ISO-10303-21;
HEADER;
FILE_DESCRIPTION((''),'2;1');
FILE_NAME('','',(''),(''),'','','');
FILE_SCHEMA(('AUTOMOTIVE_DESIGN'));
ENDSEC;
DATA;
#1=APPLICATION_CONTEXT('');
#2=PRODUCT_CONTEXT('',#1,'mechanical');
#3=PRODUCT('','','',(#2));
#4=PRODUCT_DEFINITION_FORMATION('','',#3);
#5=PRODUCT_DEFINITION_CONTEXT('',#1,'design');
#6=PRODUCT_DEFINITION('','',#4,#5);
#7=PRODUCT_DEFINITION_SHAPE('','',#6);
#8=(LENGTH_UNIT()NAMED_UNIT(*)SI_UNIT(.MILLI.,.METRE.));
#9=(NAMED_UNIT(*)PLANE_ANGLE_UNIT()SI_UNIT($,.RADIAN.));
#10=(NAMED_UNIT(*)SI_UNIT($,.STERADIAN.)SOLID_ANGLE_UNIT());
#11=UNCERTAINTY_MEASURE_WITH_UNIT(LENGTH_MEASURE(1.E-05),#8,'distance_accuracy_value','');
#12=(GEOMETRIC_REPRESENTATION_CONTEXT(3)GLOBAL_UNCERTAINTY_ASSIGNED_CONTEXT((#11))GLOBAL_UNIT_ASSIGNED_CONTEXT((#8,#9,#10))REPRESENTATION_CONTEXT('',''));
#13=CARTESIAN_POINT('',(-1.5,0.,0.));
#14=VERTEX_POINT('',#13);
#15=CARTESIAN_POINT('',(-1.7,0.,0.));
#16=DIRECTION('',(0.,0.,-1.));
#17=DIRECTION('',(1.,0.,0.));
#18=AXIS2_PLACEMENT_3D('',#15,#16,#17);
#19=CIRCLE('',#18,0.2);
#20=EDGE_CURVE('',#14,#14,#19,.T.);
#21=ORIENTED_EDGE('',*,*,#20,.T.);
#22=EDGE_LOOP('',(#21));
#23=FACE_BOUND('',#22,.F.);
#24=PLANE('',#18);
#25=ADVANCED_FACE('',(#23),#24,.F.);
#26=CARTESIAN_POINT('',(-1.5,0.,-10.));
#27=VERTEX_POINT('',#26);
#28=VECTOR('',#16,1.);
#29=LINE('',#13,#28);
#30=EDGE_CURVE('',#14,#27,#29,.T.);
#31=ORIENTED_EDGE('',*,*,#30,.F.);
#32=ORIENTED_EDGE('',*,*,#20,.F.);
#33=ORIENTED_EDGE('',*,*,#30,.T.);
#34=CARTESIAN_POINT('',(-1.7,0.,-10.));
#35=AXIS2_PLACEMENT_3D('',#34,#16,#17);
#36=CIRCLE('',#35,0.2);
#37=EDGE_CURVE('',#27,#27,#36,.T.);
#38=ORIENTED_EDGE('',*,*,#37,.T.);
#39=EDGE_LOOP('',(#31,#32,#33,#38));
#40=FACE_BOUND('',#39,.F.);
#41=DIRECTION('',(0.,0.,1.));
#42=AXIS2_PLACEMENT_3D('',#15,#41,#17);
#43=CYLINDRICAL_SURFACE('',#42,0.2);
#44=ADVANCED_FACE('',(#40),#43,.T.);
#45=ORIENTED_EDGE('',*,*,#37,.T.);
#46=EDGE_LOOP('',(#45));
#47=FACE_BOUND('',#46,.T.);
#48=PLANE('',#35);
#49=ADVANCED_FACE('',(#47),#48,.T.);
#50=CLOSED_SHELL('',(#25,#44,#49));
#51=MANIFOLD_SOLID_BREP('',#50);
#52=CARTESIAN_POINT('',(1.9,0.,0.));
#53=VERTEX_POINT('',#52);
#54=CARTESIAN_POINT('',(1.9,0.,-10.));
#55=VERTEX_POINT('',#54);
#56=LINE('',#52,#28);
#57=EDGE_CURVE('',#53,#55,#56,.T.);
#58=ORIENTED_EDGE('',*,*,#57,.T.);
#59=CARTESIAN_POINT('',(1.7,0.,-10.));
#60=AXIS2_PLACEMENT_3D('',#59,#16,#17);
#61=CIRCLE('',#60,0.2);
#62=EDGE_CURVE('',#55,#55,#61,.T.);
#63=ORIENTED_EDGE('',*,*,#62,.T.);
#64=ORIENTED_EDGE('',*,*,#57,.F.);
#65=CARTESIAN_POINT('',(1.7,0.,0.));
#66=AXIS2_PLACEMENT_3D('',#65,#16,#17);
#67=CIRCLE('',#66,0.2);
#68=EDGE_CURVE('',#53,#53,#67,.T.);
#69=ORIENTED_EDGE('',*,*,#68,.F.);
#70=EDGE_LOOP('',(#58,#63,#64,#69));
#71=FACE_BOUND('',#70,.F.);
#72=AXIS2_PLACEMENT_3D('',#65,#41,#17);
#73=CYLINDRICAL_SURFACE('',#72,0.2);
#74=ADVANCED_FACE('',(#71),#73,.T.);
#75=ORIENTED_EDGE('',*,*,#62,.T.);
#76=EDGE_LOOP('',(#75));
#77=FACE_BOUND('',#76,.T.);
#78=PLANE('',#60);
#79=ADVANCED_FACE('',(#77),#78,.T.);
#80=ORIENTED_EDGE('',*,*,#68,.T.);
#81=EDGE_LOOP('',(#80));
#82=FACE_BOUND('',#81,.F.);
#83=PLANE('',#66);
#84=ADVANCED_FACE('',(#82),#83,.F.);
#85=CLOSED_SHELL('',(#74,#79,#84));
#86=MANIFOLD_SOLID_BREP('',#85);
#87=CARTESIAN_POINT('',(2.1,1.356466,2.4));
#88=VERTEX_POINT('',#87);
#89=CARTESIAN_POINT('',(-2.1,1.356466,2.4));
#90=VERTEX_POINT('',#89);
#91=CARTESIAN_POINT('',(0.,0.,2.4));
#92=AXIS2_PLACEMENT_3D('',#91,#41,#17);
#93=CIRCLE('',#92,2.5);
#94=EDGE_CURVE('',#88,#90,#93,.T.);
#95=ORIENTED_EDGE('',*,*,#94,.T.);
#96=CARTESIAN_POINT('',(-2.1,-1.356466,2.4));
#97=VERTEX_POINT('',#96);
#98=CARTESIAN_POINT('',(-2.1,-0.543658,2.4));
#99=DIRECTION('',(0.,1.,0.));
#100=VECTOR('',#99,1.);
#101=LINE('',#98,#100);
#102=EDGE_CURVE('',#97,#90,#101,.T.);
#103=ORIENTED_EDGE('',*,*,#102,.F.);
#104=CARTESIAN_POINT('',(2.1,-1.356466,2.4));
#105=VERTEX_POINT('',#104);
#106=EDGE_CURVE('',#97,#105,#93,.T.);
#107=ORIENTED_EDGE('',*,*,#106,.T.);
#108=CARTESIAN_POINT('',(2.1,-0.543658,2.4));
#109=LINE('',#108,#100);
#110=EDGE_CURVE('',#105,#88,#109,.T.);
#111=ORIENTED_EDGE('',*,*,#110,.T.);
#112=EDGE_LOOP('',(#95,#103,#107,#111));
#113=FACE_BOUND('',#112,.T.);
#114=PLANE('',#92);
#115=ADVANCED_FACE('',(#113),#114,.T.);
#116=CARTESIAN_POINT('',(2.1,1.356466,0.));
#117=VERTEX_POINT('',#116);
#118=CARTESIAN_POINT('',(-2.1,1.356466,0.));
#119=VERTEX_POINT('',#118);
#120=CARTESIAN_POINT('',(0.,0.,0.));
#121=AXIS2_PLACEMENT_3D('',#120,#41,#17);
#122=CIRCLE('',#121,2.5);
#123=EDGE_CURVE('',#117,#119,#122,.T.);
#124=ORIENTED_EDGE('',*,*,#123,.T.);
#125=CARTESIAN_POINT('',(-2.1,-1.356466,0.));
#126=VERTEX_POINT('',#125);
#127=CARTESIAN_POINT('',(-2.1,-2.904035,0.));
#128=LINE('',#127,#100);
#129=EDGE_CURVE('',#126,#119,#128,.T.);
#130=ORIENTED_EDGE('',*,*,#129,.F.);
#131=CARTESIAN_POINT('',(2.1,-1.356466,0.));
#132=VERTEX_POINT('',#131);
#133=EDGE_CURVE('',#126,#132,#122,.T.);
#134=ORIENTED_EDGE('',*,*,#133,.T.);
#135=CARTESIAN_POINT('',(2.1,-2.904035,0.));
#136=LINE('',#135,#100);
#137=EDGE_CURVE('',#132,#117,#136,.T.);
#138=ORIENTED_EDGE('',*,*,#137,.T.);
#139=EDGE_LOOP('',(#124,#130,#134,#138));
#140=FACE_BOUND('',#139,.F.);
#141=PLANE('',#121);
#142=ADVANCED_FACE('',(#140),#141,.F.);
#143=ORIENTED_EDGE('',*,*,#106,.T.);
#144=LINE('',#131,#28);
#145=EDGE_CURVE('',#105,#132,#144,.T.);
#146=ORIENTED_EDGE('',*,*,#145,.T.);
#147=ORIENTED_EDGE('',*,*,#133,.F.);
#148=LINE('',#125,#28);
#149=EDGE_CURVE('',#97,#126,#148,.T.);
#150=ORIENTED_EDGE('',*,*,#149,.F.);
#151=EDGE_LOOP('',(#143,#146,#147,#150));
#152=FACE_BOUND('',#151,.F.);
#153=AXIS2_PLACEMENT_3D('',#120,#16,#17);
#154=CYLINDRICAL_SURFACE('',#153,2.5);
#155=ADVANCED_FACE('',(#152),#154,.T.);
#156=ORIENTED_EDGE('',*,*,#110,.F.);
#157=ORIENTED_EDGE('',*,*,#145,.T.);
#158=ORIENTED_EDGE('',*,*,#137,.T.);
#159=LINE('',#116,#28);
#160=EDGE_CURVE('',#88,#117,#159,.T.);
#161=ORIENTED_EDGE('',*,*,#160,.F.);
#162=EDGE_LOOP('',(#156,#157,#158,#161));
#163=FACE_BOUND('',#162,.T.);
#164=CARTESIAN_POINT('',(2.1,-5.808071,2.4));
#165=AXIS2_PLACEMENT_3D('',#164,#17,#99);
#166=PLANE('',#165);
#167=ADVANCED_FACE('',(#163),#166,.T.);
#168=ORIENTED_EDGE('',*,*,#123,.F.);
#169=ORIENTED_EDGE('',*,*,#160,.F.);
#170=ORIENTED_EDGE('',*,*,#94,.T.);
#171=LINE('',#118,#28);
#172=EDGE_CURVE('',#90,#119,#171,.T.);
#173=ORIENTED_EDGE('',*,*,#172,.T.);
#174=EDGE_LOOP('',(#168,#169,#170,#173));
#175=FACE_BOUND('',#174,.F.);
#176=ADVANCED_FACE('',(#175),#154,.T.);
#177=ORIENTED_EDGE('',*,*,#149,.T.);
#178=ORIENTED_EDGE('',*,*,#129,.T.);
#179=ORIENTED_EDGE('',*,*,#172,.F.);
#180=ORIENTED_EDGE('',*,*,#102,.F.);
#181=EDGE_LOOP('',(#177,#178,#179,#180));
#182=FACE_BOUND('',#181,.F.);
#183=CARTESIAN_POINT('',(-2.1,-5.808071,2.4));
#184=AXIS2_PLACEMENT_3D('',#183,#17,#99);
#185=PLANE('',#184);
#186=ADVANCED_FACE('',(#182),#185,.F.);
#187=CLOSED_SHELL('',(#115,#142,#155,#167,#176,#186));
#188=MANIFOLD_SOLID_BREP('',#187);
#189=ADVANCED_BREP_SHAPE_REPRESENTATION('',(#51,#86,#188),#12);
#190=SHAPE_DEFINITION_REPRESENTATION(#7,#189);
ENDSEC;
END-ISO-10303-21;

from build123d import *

# Parameters (mm, degrees)
F0_R     = 2.5
F1_DEPTH = 2.4
F2_R     = 0.2
F3_DEPTH = 10
F4_W     = 4.2
F4_H     = 10.528826
F5_DEPTH = 25


with BuildPart() as f1:
    # F0 (on Top) → F1 (new body)
    with BuildSketch(Plane.XY):
        Circle(F0_R)
    extrude(amount=F1_DEPTH)


with BuildPart() as f3:
    # F2 (on face) → F3 (new body)
    with BuildSketch(Plane(origin=(0, 0, 0), x_dir=(1, 0, 0), z_dir=(0, 0, -1))):
        with Locations((-1.7, 0)):
            Circle(F2_R)
        with Locations((1.7, 0)):
            Circle(F2_R)
    extrude(amount=F3_DEPTH)


with BuildPart() as f5_tool:
    # F4 (on face) → F5 (new body)
    with BuildSketch(Plane.XY.offset(2.4)):
        with Locations((0, -0.543658)):
            Rectangle(F4_W, F4_H)
    extrude(amount=-F5_DEPTH)


with BuildPart() as f1_1:
    add(f1.part)

    # F5: intersect by f5_tool
    add(f5_tool.part, mode=Mode.INTERSECT)


with BuildPart() as f3_1:
    add(f3.part)

    # F5: intersect by f5_tool
    add(f5_tool.part, mode=Mode.INTERSECT)


solid = Compound([f1_1.part, f3_1.part])
